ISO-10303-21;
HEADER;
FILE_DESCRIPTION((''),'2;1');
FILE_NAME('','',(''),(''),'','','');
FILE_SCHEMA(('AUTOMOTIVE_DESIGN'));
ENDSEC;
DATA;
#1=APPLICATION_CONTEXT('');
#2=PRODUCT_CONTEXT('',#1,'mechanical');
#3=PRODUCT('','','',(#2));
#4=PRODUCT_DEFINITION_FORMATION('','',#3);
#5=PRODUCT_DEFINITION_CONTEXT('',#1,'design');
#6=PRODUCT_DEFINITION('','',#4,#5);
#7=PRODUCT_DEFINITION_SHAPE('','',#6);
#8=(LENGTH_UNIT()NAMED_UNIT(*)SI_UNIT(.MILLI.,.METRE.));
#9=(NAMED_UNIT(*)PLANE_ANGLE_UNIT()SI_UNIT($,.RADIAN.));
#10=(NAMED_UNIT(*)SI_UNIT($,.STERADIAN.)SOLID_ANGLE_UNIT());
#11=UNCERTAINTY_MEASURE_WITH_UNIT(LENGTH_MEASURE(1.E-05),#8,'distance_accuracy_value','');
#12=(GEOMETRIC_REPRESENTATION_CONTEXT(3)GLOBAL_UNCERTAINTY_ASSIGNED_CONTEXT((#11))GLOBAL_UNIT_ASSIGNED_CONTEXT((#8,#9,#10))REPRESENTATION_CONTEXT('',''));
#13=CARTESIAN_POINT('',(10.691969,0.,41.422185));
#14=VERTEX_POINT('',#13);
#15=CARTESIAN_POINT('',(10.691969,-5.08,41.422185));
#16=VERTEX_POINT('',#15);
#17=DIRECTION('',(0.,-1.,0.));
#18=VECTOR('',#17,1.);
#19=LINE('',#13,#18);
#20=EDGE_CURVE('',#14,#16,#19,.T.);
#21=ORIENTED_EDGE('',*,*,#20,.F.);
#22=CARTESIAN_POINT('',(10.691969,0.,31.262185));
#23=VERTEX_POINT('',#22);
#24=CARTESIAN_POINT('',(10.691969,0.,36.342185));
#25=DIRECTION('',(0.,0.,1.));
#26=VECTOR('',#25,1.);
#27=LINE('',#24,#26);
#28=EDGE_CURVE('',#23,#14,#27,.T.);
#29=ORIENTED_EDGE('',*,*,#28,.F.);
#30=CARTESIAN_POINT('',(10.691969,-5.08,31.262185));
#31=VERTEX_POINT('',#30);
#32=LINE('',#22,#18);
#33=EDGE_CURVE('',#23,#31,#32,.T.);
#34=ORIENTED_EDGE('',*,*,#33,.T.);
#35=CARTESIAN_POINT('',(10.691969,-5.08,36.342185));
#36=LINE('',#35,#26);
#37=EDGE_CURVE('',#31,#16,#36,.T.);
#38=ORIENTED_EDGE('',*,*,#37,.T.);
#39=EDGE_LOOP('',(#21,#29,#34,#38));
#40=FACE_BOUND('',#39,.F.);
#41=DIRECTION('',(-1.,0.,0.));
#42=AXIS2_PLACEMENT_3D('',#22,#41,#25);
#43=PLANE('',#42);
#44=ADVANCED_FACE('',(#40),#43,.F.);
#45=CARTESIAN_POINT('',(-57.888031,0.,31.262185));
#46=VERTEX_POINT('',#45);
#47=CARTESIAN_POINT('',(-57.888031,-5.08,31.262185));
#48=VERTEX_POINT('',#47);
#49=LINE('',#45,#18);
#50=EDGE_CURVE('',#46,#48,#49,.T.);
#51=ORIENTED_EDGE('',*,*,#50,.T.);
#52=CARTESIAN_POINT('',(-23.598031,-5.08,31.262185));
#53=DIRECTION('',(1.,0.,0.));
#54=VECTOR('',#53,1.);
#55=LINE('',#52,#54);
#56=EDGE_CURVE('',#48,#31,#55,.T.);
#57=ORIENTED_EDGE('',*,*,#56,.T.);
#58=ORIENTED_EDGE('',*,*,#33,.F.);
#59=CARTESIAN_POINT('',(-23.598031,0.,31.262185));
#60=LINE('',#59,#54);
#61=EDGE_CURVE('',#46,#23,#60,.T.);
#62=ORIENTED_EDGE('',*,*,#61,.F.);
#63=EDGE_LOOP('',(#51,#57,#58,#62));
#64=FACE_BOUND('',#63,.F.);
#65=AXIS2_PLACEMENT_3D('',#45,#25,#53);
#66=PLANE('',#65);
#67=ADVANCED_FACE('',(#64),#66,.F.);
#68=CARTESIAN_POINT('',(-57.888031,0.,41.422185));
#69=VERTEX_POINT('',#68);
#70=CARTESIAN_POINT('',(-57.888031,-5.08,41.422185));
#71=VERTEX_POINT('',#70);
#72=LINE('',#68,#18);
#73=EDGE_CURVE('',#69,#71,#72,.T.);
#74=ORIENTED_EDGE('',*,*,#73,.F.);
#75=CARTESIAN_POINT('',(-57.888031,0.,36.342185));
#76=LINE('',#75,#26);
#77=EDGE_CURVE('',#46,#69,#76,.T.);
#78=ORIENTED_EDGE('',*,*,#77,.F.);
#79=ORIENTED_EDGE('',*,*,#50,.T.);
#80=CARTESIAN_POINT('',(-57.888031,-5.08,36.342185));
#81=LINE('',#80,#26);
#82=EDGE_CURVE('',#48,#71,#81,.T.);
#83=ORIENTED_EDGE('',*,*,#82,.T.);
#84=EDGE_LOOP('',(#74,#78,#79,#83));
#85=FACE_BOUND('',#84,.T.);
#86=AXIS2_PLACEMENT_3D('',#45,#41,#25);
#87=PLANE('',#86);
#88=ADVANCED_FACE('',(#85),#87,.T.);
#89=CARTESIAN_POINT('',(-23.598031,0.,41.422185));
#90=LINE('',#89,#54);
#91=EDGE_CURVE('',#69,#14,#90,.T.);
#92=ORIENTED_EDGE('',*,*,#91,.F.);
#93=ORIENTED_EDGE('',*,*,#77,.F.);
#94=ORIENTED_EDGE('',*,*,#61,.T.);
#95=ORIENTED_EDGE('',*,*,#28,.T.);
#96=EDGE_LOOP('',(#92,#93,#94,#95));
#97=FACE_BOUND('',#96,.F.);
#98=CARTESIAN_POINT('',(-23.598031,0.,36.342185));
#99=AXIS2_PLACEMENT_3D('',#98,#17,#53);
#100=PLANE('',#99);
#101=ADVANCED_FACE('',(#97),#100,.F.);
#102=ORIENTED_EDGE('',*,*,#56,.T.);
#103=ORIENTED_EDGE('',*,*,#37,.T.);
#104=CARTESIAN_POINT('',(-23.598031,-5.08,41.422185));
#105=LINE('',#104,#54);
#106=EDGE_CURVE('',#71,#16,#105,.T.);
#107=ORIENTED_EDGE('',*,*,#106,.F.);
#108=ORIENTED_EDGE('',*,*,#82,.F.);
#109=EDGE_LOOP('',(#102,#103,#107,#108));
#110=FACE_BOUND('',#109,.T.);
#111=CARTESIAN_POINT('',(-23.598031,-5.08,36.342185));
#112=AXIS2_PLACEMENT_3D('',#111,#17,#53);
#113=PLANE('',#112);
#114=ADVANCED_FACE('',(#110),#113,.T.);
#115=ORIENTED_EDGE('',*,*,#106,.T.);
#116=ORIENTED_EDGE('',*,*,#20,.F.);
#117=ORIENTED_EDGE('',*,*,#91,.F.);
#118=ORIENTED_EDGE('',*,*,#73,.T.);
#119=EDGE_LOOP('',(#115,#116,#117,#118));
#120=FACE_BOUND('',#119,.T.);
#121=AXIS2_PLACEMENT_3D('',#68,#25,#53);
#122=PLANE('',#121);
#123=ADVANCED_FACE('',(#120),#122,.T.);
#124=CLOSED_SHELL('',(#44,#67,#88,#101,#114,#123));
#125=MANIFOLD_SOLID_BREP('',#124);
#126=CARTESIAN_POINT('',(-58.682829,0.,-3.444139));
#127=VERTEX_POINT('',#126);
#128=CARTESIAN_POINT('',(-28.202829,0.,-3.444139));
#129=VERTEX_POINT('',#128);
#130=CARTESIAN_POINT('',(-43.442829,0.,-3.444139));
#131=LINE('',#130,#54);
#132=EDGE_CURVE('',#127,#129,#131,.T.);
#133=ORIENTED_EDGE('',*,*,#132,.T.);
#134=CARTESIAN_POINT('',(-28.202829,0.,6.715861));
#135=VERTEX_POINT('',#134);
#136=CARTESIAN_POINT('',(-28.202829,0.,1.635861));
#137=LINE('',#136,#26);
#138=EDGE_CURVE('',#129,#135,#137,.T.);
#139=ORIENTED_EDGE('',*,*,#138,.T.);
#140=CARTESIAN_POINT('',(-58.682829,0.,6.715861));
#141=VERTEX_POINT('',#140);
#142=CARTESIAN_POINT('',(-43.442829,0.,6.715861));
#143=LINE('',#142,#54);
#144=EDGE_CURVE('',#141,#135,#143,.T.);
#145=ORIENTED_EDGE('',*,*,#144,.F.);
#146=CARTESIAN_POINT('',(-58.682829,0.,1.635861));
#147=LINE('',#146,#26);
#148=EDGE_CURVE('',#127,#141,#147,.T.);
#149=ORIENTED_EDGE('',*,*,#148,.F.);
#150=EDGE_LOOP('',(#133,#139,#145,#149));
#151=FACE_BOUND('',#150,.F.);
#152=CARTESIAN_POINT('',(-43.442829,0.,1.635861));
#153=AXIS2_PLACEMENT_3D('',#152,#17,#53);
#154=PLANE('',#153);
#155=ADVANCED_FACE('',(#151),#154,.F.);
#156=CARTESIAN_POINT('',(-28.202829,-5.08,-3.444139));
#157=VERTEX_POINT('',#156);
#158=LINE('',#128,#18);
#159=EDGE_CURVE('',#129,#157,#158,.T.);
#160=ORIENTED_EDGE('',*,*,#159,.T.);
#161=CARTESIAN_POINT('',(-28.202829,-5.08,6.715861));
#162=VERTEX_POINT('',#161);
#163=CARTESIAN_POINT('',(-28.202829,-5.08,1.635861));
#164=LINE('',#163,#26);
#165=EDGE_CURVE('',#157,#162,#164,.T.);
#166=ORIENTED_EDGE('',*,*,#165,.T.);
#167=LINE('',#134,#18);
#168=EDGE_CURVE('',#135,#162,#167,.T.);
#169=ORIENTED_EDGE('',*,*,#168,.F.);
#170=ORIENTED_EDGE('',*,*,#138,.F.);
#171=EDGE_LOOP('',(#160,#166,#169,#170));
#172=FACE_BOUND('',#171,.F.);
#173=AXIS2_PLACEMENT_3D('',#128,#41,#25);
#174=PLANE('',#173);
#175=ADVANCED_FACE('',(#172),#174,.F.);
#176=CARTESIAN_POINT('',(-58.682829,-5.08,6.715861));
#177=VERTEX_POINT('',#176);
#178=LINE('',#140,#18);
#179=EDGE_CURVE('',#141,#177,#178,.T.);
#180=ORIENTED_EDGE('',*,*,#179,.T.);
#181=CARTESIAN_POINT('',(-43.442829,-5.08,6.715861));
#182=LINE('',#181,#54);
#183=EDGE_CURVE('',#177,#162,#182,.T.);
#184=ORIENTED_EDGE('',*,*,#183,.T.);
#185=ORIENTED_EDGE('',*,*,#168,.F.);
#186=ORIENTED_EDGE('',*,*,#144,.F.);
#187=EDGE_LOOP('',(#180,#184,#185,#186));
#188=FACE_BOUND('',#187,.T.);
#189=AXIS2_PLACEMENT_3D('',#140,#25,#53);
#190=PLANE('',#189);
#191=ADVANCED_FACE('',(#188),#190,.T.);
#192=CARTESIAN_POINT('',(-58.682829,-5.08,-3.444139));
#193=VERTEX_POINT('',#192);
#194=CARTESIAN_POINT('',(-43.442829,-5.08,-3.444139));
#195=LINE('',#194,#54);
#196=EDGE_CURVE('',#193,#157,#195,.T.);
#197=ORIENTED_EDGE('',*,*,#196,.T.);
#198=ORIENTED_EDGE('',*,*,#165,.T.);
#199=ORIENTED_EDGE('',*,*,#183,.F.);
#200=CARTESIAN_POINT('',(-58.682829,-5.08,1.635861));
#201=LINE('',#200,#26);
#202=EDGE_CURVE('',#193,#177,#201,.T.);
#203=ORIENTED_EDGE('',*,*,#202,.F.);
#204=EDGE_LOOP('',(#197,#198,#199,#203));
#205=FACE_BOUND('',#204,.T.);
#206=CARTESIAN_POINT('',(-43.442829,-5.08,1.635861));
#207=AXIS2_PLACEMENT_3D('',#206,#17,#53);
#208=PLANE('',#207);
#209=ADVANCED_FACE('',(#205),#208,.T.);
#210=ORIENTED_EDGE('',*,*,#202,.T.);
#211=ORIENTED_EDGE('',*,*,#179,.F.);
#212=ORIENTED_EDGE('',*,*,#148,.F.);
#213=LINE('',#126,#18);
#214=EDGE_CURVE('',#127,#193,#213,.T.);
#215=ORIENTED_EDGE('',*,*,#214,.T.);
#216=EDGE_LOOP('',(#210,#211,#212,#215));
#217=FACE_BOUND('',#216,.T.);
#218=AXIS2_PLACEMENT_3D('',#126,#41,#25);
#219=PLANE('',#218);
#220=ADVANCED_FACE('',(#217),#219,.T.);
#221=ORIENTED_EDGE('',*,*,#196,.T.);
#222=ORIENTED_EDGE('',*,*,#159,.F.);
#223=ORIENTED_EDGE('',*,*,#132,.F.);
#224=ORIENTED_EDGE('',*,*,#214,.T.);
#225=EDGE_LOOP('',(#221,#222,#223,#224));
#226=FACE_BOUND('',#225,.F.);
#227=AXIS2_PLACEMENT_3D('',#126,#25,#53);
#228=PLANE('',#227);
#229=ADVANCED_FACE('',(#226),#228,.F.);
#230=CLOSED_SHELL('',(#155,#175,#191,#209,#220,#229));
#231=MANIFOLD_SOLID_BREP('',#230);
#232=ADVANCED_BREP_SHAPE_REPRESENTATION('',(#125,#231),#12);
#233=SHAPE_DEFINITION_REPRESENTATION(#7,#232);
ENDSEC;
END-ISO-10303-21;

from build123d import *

# Parameters (mm, degrees)
F0_W     = 68.58
F0_H     = 10.16
F0_W_2   = 30.48
F1_DEPTH = 5.08


with BuildPart() as f1:
    # F0 (on Front) → F1 (new body)
    with BuildSketch(Plane.XZ):
        with Locations((-23.598031, 36.342185)):
            Rectangle(F0_W, F0_H)
        with Locations((-43.442829, 1.635861)):
            Rectangle(F0_W_2, F0_H)
    extrude(amount=F1_DEPTH)


solid = f1.part
